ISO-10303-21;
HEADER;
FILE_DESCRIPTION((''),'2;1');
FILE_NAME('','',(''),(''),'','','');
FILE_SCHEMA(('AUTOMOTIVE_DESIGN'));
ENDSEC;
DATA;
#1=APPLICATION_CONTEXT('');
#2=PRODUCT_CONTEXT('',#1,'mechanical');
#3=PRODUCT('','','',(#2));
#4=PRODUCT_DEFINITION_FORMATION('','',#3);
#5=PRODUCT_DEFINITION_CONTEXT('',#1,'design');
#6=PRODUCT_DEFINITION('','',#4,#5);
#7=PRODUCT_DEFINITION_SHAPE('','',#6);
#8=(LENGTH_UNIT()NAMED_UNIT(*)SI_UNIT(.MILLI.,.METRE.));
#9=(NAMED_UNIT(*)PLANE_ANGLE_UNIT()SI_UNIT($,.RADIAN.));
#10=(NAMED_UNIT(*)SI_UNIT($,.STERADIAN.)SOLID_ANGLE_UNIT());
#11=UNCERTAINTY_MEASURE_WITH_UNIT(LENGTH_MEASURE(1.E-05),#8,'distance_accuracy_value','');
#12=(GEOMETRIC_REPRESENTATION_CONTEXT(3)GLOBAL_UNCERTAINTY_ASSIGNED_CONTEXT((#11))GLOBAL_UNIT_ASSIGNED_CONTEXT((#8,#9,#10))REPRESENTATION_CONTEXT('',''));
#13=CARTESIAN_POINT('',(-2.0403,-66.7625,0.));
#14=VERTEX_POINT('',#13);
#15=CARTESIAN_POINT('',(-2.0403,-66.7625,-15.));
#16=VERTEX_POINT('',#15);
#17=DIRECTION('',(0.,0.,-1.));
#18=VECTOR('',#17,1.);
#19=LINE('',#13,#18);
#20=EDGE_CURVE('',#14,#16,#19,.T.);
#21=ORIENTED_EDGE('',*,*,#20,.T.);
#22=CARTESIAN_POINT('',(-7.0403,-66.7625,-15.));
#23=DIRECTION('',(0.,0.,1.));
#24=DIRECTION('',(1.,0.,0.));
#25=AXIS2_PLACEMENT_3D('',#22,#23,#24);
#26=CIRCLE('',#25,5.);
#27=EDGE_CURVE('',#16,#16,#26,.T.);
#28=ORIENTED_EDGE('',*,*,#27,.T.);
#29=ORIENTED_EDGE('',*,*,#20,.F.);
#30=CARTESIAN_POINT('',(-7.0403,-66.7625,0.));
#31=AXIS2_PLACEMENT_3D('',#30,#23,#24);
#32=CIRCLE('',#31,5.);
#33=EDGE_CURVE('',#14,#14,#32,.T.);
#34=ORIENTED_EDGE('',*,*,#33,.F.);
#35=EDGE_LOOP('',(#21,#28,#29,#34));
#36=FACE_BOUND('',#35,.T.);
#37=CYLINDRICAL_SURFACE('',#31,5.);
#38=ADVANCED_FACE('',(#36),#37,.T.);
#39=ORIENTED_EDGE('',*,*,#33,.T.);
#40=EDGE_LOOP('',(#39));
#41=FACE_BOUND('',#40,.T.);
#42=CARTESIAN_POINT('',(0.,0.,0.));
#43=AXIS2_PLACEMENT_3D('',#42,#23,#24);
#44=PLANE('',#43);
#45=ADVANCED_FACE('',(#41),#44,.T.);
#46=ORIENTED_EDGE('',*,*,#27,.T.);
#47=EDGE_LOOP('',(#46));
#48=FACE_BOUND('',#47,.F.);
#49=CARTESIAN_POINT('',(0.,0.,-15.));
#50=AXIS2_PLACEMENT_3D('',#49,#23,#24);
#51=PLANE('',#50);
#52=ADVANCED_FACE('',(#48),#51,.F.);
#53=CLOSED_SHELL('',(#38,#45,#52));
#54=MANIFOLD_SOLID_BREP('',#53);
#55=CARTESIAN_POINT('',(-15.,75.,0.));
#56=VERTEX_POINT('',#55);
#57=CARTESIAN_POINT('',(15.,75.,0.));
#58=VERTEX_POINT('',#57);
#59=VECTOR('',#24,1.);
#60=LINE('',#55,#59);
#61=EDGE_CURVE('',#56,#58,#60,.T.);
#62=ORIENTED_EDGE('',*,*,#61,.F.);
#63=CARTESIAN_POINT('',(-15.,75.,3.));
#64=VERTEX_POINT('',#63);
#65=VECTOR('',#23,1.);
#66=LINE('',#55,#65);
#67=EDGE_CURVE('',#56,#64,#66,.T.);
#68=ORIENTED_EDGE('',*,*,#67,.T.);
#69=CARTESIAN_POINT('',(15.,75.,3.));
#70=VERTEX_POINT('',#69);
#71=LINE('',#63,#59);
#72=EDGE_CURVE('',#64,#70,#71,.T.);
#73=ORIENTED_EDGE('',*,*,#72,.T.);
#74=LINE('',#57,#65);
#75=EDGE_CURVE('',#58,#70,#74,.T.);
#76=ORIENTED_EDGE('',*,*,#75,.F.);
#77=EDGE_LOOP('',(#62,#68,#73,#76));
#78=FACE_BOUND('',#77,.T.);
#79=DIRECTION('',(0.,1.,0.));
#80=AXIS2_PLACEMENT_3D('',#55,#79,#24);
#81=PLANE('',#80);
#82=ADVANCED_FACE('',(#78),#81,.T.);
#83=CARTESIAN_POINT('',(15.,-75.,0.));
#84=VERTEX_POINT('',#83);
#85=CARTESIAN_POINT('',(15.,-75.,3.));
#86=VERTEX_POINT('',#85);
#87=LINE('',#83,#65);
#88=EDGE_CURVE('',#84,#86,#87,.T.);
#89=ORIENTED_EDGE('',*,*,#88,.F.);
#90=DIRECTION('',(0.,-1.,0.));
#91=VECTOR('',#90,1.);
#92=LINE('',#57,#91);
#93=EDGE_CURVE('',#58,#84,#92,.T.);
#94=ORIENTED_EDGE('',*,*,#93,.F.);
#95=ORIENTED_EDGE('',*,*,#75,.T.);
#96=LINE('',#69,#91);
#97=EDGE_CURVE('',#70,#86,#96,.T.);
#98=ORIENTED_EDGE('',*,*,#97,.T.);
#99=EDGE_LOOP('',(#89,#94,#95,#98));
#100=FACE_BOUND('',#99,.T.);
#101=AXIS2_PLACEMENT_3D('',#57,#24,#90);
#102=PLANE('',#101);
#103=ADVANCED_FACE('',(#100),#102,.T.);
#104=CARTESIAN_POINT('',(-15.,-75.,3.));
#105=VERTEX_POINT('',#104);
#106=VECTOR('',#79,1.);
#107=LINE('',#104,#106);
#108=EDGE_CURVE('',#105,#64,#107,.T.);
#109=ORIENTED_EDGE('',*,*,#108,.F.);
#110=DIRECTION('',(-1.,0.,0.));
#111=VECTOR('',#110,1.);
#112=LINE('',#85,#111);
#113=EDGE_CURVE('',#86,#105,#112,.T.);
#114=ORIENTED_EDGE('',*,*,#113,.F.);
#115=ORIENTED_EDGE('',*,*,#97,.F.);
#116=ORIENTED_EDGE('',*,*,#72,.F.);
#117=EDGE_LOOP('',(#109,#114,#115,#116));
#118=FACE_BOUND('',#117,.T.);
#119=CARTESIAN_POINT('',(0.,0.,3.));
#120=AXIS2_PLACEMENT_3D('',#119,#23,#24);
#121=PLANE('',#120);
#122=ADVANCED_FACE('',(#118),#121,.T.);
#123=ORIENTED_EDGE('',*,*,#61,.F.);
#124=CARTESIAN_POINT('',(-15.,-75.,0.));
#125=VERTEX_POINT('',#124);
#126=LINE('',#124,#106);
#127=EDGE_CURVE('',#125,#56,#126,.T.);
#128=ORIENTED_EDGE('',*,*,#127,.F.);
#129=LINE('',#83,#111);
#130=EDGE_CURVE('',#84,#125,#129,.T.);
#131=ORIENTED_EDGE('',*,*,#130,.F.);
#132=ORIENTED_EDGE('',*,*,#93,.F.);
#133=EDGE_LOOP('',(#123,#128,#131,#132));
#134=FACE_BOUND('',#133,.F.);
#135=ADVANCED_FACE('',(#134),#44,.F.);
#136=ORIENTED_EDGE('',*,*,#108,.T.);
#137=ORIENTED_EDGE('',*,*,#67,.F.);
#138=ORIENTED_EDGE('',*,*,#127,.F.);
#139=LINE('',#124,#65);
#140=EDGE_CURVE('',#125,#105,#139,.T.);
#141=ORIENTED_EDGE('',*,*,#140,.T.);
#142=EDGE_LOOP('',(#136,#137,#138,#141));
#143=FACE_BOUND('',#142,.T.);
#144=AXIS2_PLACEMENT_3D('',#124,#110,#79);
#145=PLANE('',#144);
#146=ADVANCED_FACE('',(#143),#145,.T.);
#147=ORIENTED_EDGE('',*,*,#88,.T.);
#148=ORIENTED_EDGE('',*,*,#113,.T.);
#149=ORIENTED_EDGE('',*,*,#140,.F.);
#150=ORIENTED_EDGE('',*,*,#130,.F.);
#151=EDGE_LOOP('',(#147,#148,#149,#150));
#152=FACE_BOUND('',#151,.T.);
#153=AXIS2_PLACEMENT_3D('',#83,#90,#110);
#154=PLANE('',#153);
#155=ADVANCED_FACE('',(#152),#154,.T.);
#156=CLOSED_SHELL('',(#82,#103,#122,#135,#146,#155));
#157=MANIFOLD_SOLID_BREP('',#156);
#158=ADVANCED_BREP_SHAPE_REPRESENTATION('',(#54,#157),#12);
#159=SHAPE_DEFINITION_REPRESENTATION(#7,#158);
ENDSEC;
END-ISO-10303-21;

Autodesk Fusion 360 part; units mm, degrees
sketch "スケッチ1" plane through (0, 0, 0) normal (0, 0, 1) x (1, 0, 0)
  line L0 (15, -75) -> (-15, 75) construction
  line L1 (-15, -75) -> (-15, 75)
  line L2 (-15, -75) -> (15, 75) construction
  line L3 (15, 75) -> (15, -75)
  line L4 (-15, 75) -> (15, 75)
  line L5 (15, -75) -> (-15, -75)
  dimension "d1" = 150
  dimension "d2" = 30
extrude "押し出し1" add sketch "スケッチ1" along normal blind 3 makes body 1
sketch "スケッチ2" plane through (0, 0, 0) normal (0, 0, 1) x (1, 0, 0)
  circle A0 centre (-7.0403, -66.7625) radius 5
  dimension "d5" = 10
extrude "押し出し2" add sketch "スケッチ2" against normal blind 15 separate body makes body 2
